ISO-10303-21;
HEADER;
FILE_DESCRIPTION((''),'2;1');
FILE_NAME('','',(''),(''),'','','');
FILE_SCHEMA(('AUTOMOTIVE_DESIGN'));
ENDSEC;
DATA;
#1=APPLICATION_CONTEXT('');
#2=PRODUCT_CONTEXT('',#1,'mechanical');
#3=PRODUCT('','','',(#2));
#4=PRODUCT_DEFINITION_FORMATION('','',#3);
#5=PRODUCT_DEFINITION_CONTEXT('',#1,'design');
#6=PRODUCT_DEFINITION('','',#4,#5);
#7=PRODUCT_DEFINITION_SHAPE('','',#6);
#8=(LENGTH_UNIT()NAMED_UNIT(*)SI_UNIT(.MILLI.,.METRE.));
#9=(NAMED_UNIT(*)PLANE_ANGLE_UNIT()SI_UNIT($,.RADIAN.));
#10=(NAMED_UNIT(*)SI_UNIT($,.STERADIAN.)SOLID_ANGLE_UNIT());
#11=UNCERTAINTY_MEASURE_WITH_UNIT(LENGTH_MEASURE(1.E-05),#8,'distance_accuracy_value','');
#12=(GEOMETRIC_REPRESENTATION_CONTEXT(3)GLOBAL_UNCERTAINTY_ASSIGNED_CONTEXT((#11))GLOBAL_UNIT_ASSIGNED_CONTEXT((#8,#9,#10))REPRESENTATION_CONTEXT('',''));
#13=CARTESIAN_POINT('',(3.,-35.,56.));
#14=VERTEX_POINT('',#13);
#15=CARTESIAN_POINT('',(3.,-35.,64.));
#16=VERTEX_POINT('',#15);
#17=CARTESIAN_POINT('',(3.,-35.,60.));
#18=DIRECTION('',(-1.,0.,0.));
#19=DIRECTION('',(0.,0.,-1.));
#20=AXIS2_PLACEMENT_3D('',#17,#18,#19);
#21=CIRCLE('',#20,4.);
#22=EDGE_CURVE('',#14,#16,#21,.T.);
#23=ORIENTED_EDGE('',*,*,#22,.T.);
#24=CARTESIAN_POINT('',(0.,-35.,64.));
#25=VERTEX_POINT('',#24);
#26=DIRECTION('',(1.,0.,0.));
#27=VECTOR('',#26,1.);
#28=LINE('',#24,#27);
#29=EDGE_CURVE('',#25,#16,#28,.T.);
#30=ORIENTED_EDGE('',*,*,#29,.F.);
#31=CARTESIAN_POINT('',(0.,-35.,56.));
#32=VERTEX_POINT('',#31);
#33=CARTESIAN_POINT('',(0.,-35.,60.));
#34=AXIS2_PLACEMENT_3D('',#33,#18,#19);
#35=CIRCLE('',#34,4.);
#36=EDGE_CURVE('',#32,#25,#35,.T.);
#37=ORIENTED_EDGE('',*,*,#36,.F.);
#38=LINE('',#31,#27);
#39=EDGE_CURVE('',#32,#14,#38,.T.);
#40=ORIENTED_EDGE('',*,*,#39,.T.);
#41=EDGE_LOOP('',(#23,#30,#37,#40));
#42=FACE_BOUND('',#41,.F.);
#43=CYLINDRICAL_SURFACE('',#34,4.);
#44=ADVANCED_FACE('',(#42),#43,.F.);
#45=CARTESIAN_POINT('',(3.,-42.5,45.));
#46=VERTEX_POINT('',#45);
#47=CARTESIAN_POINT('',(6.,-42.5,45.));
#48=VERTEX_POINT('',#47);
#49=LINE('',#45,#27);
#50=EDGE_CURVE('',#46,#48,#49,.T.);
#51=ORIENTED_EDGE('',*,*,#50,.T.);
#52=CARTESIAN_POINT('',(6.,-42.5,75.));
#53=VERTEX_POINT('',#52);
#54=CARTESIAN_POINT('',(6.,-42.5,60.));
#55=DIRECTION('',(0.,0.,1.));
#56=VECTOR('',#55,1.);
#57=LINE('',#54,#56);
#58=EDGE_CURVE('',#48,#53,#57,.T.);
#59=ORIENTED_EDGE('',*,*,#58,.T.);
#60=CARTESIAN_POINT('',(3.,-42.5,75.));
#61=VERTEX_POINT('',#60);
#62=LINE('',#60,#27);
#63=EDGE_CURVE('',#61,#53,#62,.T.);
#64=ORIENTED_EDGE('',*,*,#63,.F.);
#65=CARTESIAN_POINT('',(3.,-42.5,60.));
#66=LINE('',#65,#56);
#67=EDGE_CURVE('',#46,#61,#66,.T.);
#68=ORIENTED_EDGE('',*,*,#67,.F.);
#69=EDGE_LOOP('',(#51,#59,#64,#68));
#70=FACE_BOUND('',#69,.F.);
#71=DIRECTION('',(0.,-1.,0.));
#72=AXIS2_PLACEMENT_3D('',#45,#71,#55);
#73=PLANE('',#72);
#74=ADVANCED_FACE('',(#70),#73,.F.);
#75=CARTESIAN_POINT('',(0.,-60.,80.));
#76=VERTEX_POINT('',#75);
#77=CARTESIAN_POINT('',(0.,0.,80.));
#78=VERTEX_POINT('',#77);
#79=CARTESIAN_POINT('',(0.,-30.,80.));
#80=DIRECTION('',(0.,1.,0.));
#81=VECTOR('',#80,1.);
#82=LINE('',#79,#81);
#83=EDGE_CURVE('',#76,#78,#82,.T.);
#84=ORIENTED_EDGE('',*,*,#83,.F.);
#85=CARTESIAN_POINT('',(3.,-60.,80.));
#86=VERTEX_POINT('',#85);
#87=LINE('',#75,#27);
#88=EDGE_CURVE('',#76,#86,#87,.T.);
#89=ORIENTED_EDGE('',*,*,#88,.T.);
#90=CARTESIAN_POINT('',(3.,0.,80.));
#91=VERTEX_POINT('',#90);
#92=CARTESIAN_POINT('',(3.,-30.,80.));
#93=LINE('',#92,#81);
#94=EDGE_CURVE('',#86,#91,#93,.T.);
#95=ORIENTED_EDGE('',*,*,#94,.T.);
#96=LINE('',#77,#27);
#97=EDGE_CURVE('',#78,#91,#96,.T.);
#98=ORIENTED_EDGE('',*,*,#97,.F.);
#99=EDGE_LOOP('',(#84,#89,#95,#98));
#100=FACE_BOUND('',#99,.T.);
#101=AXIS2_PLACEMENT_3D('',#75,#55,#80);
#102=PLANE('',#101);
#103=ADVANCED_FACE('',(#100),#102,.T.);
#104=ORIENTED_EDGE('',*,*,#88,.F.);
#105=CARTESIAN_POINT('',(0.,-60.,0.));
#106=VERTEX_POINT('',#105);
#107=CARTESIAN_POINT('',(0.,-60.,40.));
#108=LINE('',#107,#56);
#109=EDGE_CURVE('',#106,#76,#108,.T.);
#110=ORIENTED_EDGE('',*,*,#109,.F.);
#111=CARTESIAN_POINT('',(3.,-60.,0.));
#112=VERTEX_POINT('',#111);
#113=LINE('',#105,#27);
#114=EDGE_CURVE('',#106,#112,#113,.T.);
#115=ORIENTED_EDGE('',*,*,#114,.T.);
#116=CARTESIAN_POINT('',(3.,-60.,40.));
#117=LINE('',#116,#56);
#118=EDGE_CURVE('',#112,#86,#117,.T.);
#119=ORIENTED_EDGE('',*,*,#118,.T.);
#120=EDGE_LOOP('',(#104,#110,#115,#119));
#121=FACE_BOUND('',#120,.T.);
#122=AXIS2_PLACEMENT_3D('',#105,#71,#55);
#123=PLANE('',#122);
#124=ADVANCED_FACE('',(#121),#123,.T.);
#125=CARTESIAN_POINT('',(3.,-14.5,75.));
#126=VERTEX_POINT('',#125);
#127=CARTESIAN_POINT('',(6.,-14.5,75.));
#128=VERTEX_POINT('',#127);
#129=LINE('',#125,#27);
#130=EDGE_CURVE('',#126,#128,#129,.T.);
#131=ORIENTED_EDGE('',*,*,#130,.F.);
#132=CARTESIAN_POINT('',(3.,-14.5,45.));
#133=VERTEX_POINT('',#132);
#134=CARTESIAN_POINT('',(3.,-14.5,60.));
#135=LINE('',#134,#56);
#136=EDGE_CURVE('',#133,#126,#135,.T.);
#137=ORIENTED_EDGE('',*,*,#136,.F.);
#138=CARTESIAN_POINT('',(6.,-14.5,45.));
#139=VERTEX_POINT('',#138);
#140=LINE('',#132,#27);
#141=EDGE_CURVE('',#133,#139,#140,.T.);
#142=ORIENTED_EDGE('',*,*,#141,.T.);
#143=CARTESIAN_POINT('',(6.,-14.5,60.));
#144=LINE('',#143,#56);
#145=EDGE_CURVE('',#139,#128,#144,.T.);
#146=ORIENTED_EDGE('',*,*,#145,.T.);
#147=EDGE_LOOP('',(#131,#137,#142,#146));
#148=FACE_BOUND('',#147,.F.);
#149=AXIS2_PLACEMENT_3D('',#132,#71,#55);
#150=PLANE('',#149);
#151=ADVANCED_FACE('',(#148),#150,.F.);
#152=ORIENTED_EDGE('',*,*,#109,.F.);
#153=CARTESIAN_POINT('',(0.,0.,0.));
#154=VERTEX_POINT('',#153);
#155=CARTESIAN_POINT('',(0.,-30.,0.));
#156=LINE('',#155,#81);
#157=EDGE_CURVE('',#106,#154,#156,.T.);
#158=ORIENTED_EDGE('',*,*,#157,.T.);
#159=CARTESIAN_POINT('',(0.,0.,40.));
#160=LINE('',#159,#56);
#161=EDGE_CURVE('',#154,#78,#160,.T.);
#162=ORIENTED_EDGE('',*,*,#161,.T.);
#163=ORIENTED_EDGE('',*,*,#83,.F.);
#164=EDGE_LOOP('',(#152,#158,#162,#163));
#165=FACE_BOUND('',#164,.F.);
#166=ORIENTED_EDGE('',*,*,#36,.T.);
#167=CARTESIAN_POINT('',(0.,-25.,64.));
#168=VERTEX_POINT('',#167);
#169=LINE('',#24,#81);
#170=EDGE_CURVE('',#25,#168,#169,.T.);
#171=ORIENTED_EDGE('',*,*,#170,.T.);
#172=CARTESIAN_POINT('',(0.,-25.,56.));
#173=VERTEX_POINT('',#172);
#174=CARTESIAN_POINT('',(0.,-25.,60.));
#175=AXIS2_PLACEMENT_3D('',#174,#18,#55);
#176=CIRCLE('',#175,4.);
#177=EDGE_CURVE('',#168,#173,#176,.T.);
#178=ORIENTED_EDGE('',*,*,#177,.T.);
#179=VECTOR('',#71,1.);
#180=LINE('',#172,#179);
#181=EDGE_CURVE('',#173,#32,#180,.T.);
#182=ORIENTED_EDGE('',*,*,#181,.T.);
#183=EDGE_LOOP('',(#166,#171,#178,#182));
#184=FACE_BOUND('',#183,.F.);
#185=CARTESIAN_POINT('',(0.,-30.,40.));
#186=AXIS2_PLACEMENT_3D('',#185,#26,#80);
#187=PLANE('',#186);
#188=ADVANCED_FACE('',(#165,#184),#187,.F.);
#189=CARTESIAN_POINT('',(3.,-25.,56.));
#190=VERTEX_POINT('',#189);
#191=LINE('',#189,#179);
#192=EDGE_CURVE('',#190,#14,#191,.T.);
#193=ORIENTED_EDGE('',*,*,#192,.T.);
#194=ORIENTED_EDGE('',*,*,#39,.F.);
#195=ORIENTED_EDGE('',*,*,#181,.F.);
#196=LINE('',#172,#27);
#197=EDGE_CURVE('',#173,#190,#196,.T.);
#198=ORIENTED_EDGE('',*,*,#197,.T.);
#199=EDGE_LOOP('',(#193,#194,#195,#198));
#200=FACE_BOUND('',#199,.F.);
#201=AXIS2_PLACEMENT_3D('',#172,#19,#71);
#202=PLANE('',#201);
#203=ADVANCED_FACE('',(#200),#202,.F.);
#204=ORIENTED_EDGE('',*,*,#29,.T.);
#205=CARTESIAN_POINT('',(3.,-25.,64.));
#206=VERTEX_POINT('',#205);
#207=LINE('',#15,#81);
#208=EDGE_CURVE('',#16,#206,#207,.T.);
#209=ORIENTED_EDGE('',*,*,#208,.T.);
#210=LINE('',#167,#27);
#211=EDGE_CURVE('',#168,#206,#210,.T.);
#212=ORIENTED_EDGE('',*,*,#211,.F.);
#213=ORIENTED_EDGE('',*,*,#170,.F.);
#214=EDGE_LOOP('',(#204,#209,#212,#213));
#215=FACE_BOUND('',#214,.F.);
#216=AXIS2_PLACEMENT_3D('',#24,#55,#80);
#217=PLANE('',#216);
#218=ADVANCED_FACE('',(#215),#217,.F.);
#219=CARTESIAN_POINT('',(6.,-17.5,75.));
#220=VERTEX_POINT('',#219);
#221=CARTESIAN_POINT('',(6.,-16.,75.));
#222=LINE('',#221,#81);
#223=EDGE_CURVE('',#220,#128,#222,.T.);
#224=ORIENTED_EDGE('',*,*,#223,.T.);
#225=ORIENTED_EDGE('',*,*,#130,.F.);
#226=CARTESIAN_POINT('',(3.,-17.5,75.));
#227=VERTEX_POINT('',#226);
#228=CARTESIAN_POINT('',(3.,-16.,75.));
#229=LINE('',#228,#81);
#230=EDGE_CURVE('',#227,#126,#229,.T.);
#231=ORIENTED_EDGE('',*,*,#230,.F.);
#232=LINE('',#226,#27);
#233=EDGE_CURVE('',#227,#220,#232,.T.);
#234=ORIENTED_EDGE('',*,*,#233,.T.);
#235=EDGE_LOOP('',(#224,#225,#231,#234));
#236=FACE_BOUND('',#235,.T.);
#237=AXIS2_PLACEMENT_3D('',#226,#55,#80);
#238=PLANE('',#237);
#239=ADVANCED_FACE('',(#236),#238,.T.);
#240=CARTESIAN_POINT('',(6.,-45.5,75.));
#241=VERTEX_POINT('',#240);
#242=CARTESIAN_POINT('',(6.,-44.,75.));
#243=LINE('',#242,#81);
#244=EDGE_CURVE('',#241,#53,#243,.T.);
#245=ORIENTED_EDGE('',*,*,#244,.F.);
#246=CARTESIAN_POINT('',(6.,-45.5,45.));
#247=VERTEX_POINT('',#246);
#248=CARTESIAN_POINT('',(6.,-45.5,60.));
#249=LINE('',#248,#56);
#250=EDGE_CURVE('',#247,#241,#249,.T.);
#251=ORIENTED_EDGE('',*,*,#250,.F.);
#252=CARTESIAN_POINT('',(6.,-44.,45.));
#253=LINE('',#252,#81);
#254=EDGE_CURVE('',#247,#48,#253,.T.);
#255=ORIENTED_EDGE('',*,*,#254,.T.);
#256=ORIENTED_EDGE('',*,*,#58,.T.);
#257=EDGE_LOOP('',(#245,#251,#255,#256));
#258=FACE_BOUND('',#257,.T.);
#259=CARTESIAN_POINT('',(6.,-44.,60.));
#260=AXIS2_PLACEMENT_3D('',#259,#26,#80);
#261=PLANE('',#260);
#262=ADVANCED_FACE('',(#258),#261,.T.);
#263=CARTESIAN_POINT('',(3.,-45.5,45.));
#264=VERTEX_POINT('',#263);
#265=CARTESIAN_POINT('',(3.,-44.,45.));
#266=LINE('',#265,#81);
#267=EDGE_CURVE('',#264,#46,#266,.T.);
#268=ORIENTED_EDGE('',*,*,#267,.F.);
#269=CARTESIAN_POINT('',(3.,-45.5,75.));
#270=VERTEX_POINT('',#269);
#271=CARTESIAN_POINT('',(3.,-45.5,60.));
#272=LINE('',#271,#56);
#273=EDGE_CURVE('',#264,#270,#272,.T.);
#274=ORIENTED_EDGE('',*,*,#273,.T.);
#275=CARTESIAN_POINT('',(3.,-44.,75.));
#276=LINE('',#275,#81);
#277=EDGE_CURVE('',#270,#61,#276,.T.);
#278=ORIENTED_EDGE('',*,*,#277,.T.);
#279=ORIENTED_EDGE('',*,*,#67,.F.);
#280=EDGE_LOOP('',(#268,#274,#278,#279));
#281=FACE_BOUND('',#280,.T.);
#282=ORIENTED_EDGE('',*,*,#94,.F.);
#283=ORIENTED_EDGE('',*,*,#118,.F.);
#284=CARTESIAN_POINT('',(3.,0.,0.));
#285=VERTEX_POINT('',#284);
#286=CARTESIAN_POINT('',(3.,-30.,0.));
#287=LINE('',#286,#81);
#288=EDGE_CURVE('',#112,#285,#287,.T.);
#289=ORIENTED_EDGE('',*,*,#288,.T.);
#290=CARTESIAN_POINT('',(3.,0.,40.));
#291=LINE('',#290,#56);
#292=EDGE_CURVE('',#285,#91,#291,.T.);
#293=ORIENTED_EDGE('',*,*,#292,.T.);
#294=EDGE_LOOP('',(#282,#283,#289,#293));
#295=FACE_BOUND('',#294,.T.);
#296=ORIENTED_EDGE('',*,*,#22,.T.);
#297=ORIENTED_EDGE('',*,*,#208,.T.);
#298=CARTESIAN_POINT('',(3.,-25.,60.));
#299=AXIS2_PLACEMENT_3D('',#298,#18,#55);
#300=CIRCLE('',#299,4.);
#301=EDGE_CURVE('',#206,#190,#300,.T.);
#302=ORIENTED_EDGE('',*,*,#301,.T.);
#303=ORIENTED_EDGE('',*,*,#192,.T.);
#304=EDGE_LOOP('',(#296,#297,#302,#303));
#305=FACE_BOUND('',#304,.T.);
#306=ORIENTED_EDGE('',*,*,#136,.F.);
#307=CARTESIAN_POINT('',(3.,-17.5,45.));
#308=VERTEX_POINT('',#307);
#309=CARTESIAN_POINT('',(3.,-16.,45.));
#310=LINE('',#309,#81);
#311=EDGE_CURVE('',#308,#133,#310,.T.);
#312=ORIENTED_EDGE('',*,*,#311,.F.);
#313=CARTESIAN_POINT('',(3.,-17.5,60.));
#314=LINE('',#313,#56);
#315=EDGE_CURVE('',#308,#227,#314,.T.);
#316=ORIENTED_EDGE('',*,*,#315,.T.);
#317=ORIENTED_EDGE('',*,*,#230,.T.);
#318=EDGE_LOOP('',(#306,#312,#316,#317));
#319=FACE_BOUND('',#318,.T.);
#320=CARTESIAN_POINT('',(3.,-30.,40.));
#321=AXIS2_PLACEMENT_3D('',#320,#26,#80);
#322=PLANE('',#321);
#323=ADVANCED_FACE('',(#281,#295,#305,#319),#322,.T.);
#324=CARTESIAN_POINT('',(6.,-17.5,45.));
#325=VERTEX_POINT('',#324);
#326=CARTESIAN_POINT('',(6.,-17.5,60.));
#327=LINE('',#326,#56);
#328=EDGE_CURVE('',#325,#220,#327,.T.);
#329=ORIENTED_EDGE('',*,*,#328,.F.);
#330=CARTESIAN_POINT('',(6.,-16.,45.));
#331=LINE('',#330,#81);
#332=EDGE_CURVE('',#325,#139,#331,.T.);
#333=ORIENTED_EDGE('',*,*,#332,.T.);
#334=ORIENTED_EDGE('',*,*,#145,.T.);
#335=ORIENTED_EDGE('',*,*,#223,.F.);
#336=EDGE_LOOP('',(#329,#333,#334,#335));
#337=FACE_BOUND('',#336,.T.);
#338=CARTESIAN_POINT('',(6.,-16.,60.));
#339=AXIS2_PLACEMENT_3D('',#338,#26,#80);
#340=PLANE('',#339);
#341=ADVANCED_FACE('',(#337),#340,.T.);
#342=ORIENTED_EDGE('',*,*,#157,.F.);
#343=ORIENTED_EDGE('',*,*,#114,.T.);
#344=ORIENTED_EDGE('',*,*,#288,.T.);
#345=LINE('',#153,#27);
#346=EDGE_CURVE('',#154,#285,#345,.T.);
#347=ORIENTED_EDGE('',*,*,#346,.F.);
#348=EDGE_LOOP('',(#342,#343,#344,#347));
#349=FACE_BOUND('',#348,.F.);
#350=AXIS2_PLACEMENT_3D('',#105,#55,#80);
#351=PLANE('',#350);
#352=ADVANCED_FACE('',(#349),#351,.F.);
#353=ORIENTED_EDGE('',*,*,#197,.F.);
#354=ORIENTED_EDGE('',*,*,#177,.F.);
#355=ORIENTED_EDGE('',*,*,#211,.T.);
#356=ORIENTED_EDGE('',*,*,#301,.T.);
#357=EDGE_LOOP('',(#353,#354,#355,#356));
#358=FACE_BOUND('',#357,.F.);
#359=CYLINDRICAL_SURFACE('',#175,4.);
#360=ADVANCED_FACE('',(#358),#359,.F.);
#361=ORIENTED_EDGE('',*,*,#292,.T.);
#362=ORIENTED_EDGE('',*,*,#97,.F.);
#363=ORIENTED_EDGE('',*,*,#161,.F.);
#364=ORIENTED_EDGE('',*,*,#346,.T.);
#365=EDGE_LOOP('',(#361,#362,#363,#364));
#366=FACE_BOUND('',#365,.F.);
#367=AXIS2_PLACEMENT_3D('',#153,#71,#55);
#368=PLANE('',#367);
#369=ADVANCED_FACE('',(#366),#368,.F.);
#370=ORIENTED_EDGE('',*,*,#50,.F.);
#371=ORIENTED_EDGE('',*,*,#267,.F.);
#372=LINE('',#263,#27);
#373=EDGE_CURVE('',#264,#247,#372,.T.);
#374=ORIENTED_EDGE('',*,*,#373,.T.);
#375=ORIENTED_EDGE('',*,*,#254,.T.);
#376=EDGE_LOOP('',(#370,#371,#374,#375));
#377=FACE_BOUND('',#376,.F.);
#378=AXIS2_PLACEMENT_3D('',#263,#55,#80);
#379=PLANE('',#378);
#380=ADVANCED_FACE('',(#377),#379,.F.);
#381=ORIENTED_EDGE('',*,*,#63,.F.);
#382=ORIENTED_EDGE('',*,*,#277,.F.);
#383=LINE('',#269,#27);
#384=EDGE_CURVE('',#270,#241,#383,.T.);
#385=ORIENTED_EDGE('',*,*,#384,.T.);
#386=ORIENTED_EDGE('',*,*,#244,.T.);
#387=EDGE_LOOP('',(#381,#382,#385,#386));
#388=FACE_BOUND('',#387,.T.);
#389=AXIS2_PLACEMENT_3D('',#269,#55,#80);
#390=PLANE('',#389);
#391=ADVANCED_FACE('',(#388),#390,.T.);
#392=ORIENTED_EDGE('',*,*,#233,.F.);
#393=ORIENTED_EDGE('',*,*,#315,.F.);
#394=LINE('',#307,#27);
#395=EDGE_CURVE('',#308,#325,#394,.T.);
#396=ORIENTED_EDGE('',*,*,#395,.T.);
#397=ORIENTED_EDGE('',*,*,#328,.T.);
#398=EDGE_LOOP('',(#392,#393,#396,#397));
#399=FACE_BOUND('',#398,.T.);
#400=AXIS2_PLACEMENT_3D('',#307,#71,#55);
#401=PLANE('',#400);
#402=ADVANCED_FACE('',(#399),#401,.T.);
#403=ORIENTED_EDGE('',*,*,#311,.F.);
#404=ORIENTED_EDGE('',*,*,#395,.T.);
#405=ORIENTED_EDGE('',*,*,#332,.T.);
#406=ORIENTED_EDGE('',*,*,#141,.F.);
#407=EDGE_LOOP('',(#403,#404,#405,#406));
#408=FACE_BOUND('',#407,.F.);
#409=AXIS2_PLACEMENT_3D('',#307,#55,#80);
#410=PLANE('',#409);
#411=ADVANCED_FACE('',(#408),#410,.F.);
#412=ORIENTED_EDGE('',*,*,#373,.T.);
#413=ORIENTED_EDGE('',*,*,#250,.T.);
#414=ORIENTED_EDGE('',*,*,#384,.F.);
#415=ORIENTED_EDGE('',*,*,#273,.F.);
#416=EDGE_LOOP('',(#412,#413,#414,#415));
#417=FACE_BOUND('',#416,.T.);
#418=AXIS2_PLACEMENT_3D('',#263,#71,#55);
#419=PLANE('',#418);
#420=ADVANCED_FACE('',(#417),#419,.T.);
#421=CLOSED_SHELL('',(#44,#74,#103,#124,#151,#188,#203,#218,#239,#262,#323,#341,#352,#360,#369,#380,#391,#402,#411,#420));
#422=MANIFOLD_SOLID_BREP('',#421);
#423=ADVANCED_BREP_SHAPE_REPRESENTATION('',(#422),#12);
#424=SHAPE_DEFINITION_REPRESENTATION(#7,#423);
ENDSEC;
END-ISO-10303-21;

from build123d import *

# Parameters (mm, degrees)
F0_W     = 60
F0_H     = 80
F1_DEPTH = 3
F2_W     = 3
F2_H     = 30
F3_DEPTH = 3


with BuildPart() as f1:
    # F0 (on Right) → F1 (new body)
    with BuildSketch(Plane.YZ):
        with Locations((-30, 40)):
            Rectangle(F0_W, F0_H)
        with BuildLine():
            ThreePointArc((-35, 56), (-39, 60), (-35, 64))
            Line((-35, 64), (-25, 64))
            ThreePointArc((-25, 64), (-21, 60), (-25, 56))
            Line((-25, 56), (-35, 56))
        make_face(mode=Mode.SUBTRACT)
    extrude(amount=F1_DEPTH)

    # F2 (on face) → F3 (join)
    with BuildSketch(Plane.YZ.offset(3)):
        with Locations((-44, 60)):
            Rectangle(F2_W, F2_H)
        with Locations((-16, 60)):
            Rectangle(F2_W, F2_H)
    extrude(amount=F3_DEPTH)


solid = f1.part
